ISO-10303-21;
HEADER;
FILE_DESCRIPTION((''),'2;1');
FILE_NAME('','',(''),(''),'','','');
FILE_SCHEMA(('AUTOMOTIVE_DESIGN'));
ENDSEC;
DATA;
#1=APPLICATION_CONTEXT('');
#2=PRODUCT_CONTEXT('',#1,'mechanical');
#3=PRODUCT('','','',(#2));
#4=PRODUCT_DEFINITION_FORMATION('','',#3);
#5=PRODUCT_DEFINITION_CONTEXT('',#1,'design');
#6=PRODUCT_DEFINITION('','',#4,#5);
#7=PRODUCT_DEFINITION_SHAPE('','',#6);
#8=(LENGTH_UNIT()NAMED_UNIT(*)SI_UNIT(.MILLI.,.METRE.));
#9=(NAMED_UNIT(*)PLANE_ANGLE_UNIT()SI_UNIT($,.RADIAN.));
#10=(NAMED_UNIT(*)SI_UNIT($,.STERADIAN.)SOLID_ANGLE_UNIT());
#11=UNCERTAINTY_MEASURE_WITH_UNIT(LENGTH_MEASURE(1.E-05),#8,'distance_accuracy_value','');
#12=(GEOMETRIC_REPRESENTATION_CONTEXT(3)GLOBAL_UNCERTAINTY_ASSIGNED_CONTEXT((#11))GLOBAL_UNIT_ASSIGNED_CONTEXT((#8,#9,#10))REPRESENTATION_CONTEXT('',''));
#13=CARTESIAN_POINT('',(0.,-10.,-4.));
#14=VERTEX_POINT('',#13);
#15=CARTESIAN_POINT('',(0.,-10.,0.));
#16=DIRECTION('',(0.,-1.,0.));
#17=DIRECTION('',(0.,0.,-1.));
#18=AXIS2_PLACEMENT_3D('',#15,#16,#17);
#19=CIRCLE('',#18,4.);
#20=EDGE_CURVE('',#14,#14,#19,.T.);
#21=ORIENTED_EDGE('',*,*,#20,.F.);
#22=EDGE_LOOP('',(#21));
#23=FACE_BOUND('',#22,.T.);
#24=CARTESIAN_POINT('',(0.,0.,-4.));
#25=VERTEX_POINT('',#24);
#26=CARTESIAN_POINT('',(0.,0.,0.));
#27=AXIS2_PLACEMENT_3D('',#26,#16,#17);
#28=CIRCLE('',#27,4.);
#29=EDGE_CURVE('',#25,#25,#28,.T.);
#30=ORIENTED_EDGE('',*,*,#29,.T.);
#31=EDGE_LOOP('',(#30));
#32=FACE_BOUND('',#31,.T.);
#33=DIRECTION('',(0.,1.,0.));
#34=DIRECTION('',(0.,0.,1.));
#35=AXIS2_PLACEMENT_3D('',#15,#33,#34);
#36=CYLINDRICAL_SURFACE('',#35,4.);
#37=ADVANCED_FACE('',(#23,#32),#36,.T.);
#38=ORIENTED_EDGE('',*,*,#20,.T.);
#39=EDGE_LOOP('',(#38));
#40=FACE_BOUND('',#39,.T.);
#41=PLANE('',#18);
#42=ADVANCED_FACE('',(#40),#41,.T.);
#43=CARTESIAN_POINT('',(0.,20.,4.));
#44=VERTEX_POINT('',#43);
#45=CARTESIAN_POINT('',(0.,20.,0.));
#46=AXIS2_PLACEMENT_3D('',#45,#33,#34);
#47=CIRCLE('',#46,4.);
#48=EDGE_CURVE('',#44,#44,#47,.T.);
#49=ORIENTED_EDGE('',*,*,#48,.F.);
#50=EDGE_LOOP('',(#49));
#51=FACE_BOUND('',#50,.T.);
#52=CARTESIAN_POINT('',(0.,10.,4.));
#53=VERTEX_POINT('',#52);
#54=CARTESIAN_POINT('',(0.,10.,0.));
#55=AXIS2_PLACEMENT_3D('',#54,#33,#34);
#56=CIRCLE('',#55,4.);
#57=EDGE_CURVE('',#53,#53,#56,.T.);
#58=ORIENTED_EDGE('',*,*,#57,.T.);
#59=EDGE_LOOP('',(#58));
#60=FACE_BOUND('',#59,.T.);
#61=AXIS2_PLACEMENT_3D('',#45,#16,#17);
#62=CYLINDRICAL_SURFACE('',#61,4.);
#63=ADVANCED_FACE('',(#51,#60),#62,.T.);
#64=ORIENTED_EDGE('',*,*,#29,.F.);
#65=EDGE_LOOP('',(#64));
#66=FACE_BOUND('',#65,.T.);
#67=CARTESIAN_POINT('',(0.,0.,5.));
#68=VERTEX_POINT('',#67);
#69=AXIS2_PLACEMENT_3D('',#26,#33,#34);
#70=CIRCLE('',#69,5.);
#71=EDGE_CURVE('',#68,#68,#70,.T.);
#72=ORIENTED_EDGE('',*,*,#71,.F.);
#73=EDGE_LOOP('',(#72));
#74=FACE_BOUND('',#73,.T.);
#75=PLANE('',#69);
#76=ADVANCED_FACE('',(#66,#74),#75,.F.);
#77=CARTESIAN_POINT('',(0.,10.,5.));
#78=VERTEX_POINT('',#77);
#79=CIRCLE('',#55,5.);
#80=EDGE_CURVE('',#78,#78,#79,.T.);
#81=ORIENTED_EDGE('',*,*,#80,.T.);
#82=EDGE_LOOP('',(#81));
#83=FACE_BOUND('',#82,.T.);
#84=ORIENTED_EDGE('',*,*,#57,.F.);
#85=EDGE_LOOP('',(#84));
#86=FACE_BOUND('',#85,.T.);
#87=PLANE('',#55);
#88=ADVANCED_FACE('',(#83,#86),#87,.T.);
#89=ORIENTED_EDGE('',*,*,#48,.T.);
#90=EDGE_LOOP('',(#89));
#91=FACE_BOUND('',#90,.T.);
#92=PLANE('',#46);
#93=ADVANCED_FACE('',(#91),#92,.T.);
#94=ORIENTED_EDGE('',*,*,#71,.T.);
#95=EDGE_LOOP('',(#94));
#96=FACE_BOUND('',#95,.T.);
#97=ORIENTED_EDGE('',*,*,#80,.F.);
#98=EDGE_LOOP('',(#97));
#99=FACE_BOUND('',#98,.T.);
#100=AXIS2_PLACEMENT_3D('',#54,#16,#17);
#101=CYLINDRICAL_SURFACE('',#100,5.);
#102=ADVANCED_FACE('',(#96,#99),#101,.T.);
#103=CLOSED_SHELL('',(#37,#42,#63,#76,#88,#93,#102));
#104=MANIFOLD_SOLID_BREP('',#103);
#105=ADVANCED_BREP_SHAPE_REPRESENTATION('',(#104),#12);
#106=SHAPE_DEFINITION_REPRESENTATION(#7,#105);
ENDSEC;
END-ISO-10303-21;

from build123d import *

# Parameters (mm, degrees)
SKETCH_1_R      = 5
EXTRUDE_4_DEPTH = 10
SKETCH_4_R      = 4
EXTRUDE_5_DEPTH = 10
EXTRUDE_START   = 10
SKETCH_5_R      = 4
EXTRUDE_6_DEPTH = 10


with BuildPart() as part:
    # 草图1 → 凸台-拉伸4 (new body)
    with BuildSketch(Plane(origin=(0, 0, 0), x_dir=(1, 0, 0), z_dir=(0, 1, 0))):
        with Locations(Location((0, 0, 0), (0, 0, 270))):
            Circle(SKETCH_1_R)
    extrude(amount=EXTRUDE_4_DEPTH)

    # 草图4 → 凸台-拉伸5 (add)
    with BuildSketch(Plane(origin=(0, 10, 0), x_dir=(1, 0, 0), z_dir=(0, 1, 0))):
        with Locations(Location((0, 0, 0), (0, 0, 270))):
            Circle(SKETCH_4_R)
    extrude(amount=EXTRUDE_5_DEPTH)

    # 草图5 → 凸台-拉伸6 (add)
    with BuildSketch(Plane.XZ.offset(EXTRUDE_START)):
        with Locations(Location((0, 0, 0), (0, 0, 90))):
            Circle(SKETCH_5_R)
    extrude(amount=-EXTRUDE_6_DEPTH)


solid = part.part
